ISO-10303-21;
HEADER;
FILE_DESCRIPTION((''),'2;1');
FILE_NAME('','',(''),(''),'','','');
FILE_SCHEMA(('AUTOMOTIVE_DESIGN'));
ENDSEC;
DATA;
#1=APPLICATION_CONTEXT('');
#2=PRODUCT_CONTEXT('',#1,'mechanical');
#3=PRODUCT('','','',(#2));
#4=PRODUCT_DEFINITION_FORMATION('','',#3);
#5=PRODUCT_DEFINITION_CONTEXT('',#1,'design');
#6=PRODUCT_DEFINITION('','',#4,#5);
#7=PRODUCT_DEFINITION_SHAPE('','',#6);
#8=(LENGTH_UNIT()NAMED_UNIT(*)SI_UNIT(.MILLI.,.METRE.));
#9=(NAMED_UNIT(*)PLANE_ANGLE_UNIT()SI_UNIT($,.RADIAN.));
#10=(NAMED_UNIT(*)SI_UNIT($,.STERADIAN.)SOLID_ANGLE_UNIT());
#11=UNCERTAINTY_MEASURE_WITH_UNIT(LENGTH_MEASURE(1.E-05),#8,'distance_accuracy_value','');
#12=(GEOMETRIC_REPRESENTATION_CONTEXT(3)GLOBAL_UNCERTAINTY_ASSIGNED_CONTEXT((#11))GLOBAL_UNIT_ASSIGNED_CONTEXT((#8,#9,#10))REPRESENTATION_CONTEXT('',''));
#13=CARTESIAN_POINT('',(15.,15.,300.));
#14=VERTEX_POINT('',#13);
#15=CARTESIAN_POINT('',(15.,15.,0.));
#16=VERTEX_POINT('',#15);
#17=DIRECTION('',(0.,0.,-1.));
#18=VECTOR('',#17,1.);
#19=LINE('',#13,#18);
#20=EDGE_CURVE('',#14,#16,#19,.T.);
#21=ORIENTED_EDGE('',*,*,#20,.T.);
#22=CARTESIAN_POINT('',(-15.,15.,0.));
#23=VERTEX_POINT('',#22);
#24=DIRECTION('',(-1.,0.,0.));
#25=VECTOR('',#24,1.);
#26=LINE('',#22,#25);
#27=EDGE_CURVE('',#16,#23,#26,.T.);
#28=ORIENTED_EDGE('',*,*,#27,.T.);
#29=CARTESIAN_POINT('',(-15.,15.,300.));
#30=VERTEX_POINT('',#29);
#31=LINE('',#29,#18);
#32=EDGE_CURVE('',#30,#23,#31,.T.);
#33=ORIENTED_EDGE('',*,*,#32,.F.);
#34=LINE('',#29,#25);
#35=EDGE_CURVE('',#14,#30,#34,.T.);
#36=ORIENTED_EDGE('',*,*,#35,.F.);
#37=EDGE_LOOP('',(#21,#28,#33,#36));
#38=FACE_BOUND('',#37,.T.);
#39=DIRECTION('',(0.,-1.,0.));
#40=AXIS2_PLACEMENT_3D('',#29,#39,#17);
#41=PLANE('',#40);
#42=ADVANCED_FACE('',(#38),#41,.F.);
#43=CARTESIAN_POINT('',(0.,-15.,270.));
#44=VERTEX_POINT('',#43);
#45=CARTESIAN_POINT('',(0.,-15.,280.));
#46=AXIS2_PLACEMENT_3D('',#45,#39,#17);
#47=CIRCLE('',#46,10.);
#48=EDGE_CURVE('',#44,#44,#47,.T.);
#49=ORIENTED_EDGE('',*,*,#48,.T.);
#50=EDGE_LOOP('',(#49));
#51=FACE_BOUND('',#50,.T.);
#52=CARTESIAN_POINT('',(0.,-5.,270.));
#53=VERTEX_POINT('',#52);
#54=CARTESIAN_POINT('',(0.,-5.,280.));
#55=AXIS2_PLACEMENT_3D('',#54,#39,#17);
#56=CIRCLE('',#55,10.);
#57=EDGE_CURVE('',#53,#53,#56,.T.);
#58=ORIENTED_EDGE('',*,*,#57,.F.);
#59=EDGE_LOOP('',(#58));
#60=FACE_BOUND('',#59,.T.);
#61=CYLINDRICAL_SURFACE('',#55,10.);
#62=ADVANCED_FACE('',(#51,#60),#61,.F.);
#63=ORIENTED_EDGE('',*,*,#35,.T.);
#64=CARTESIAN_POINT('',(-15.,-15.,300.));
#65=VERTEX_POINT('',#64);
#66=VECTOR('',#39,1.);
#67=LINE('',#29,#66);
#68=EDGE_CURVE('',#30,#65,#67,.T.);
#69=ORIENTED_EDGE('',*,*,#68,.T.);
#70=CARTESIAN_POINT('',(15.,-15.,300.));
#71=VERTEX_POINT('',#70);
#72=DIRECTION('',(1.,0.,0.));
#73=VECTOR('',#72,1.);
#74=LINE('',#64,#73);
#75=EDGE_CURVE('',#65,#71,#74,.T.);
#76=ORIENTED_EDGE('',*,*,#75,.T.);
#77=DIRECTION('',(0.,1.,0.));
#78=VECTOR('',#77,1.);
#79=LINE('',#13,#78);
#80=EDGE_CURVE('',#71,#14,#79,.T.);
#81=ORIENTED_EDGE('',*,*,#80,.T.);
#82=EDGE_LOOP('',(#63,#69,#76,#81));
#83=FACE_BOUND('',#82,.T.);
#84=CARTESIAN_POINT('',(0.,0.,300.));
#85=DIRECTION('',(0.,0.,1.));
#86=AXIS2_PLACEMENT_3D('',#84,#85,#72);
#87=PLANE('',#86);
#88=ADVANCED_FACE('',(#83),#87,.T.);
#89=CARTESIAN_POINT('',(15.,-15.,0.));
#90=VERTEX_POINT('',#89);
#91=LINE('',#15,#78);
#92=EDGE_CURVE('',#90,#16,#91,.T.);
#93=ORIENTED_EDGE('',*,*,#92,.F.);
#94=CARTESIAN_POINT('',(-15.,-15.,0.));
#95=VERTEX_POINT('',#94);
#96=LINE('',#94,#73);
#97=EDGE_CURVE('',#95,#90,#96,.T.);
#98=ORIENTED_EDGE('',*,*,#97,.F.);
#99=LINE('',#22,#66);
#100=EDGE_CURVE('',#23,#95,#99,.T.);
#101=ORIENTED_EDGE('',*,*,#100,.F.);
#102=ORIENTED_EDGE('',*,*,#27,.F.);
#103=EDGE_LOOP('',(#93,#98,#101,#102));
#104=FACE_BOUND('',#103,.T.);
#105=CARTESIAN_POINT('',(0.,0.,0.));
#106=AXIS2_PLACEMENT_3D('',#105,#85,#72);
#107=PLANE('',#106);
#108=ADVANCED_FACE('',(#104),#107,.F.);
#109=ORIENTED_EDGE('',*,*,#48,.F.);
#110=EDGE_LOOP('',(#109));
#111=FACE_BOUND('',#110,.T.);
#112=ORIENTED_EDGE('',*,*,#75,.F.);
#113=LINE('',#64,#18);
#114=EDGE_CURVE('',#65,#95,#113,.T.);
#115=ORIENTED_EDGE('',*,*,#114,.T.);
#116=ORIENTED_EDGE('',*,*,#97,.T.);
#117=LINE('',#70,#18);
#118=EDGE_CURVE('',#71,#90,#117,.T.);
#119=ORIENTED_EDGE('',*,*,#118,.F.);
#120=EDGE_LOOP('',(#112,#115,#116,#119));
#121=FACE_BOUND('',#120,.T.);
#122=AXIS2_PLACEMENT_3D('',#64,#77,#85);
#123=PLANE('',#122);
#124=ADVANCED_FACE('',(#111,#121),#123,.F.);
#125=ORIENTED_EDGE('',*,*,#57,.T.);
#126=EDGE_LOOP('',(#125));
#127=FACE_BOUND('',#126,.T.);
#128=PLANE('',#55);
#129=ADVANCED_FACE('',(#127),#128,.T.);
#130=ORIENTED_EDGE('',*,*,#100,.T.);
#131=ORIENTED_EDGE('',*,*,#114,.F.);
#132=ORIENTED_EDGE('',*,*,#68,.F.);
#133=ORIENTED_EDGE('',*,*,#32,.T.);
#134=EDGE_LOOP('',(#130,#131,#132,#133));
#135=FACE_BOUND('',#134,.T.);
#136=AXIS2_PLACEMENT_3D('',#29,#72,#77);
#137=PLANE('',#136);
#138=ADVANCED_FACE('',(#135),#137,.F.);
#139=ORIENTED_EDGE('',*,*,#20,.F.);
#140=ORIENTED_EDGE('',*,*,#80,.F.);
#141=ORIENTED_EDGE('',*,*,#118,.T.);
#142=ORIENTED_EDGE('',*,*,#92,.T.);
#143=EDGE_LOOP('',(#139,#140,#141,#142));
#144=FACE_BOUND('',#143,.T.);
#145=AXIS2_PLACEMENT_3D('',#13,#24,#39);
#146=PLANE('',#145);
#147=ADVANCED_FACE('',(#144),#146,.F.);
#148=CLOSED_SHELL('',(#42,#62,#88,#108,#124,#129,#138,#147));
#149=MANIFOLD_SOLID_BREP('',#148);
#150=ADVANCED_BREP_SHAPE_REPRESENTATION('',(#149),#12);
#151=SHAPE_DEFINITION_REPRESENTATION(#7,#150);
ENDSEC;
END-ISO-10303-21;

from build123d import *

# Parameters (mm, degrees)
SKETCH1_W           = 30
SKETCH1_H           = 30
BOSS_EXTRUDE1_DEPTH = 300
SKETCH2_R           = 10
CUT_EXTRUDE1_DEPTH  = 10


with BuildPart() as part:
    # Sketch1 → Boss-Extrude1 (new body)
    with BuildSketch(Plane.XY):
        Rectangle(SKETCH1_W, SKETCH1_H)
    extrude(amount=BOSS_EXTRUDE1_DEPTH)

    # Sketch2 → Cut-Extrude1 (cut)
    with BuildSketch(Plane.XZ.offset(15)):
        with Locations((0, 280)):
            Circle(SKETCH2_R)
    extrude(amount=-CUT_EXTRUDE1_DEPTH, mode=Mode.SUBTRACT)


solid = part.part
